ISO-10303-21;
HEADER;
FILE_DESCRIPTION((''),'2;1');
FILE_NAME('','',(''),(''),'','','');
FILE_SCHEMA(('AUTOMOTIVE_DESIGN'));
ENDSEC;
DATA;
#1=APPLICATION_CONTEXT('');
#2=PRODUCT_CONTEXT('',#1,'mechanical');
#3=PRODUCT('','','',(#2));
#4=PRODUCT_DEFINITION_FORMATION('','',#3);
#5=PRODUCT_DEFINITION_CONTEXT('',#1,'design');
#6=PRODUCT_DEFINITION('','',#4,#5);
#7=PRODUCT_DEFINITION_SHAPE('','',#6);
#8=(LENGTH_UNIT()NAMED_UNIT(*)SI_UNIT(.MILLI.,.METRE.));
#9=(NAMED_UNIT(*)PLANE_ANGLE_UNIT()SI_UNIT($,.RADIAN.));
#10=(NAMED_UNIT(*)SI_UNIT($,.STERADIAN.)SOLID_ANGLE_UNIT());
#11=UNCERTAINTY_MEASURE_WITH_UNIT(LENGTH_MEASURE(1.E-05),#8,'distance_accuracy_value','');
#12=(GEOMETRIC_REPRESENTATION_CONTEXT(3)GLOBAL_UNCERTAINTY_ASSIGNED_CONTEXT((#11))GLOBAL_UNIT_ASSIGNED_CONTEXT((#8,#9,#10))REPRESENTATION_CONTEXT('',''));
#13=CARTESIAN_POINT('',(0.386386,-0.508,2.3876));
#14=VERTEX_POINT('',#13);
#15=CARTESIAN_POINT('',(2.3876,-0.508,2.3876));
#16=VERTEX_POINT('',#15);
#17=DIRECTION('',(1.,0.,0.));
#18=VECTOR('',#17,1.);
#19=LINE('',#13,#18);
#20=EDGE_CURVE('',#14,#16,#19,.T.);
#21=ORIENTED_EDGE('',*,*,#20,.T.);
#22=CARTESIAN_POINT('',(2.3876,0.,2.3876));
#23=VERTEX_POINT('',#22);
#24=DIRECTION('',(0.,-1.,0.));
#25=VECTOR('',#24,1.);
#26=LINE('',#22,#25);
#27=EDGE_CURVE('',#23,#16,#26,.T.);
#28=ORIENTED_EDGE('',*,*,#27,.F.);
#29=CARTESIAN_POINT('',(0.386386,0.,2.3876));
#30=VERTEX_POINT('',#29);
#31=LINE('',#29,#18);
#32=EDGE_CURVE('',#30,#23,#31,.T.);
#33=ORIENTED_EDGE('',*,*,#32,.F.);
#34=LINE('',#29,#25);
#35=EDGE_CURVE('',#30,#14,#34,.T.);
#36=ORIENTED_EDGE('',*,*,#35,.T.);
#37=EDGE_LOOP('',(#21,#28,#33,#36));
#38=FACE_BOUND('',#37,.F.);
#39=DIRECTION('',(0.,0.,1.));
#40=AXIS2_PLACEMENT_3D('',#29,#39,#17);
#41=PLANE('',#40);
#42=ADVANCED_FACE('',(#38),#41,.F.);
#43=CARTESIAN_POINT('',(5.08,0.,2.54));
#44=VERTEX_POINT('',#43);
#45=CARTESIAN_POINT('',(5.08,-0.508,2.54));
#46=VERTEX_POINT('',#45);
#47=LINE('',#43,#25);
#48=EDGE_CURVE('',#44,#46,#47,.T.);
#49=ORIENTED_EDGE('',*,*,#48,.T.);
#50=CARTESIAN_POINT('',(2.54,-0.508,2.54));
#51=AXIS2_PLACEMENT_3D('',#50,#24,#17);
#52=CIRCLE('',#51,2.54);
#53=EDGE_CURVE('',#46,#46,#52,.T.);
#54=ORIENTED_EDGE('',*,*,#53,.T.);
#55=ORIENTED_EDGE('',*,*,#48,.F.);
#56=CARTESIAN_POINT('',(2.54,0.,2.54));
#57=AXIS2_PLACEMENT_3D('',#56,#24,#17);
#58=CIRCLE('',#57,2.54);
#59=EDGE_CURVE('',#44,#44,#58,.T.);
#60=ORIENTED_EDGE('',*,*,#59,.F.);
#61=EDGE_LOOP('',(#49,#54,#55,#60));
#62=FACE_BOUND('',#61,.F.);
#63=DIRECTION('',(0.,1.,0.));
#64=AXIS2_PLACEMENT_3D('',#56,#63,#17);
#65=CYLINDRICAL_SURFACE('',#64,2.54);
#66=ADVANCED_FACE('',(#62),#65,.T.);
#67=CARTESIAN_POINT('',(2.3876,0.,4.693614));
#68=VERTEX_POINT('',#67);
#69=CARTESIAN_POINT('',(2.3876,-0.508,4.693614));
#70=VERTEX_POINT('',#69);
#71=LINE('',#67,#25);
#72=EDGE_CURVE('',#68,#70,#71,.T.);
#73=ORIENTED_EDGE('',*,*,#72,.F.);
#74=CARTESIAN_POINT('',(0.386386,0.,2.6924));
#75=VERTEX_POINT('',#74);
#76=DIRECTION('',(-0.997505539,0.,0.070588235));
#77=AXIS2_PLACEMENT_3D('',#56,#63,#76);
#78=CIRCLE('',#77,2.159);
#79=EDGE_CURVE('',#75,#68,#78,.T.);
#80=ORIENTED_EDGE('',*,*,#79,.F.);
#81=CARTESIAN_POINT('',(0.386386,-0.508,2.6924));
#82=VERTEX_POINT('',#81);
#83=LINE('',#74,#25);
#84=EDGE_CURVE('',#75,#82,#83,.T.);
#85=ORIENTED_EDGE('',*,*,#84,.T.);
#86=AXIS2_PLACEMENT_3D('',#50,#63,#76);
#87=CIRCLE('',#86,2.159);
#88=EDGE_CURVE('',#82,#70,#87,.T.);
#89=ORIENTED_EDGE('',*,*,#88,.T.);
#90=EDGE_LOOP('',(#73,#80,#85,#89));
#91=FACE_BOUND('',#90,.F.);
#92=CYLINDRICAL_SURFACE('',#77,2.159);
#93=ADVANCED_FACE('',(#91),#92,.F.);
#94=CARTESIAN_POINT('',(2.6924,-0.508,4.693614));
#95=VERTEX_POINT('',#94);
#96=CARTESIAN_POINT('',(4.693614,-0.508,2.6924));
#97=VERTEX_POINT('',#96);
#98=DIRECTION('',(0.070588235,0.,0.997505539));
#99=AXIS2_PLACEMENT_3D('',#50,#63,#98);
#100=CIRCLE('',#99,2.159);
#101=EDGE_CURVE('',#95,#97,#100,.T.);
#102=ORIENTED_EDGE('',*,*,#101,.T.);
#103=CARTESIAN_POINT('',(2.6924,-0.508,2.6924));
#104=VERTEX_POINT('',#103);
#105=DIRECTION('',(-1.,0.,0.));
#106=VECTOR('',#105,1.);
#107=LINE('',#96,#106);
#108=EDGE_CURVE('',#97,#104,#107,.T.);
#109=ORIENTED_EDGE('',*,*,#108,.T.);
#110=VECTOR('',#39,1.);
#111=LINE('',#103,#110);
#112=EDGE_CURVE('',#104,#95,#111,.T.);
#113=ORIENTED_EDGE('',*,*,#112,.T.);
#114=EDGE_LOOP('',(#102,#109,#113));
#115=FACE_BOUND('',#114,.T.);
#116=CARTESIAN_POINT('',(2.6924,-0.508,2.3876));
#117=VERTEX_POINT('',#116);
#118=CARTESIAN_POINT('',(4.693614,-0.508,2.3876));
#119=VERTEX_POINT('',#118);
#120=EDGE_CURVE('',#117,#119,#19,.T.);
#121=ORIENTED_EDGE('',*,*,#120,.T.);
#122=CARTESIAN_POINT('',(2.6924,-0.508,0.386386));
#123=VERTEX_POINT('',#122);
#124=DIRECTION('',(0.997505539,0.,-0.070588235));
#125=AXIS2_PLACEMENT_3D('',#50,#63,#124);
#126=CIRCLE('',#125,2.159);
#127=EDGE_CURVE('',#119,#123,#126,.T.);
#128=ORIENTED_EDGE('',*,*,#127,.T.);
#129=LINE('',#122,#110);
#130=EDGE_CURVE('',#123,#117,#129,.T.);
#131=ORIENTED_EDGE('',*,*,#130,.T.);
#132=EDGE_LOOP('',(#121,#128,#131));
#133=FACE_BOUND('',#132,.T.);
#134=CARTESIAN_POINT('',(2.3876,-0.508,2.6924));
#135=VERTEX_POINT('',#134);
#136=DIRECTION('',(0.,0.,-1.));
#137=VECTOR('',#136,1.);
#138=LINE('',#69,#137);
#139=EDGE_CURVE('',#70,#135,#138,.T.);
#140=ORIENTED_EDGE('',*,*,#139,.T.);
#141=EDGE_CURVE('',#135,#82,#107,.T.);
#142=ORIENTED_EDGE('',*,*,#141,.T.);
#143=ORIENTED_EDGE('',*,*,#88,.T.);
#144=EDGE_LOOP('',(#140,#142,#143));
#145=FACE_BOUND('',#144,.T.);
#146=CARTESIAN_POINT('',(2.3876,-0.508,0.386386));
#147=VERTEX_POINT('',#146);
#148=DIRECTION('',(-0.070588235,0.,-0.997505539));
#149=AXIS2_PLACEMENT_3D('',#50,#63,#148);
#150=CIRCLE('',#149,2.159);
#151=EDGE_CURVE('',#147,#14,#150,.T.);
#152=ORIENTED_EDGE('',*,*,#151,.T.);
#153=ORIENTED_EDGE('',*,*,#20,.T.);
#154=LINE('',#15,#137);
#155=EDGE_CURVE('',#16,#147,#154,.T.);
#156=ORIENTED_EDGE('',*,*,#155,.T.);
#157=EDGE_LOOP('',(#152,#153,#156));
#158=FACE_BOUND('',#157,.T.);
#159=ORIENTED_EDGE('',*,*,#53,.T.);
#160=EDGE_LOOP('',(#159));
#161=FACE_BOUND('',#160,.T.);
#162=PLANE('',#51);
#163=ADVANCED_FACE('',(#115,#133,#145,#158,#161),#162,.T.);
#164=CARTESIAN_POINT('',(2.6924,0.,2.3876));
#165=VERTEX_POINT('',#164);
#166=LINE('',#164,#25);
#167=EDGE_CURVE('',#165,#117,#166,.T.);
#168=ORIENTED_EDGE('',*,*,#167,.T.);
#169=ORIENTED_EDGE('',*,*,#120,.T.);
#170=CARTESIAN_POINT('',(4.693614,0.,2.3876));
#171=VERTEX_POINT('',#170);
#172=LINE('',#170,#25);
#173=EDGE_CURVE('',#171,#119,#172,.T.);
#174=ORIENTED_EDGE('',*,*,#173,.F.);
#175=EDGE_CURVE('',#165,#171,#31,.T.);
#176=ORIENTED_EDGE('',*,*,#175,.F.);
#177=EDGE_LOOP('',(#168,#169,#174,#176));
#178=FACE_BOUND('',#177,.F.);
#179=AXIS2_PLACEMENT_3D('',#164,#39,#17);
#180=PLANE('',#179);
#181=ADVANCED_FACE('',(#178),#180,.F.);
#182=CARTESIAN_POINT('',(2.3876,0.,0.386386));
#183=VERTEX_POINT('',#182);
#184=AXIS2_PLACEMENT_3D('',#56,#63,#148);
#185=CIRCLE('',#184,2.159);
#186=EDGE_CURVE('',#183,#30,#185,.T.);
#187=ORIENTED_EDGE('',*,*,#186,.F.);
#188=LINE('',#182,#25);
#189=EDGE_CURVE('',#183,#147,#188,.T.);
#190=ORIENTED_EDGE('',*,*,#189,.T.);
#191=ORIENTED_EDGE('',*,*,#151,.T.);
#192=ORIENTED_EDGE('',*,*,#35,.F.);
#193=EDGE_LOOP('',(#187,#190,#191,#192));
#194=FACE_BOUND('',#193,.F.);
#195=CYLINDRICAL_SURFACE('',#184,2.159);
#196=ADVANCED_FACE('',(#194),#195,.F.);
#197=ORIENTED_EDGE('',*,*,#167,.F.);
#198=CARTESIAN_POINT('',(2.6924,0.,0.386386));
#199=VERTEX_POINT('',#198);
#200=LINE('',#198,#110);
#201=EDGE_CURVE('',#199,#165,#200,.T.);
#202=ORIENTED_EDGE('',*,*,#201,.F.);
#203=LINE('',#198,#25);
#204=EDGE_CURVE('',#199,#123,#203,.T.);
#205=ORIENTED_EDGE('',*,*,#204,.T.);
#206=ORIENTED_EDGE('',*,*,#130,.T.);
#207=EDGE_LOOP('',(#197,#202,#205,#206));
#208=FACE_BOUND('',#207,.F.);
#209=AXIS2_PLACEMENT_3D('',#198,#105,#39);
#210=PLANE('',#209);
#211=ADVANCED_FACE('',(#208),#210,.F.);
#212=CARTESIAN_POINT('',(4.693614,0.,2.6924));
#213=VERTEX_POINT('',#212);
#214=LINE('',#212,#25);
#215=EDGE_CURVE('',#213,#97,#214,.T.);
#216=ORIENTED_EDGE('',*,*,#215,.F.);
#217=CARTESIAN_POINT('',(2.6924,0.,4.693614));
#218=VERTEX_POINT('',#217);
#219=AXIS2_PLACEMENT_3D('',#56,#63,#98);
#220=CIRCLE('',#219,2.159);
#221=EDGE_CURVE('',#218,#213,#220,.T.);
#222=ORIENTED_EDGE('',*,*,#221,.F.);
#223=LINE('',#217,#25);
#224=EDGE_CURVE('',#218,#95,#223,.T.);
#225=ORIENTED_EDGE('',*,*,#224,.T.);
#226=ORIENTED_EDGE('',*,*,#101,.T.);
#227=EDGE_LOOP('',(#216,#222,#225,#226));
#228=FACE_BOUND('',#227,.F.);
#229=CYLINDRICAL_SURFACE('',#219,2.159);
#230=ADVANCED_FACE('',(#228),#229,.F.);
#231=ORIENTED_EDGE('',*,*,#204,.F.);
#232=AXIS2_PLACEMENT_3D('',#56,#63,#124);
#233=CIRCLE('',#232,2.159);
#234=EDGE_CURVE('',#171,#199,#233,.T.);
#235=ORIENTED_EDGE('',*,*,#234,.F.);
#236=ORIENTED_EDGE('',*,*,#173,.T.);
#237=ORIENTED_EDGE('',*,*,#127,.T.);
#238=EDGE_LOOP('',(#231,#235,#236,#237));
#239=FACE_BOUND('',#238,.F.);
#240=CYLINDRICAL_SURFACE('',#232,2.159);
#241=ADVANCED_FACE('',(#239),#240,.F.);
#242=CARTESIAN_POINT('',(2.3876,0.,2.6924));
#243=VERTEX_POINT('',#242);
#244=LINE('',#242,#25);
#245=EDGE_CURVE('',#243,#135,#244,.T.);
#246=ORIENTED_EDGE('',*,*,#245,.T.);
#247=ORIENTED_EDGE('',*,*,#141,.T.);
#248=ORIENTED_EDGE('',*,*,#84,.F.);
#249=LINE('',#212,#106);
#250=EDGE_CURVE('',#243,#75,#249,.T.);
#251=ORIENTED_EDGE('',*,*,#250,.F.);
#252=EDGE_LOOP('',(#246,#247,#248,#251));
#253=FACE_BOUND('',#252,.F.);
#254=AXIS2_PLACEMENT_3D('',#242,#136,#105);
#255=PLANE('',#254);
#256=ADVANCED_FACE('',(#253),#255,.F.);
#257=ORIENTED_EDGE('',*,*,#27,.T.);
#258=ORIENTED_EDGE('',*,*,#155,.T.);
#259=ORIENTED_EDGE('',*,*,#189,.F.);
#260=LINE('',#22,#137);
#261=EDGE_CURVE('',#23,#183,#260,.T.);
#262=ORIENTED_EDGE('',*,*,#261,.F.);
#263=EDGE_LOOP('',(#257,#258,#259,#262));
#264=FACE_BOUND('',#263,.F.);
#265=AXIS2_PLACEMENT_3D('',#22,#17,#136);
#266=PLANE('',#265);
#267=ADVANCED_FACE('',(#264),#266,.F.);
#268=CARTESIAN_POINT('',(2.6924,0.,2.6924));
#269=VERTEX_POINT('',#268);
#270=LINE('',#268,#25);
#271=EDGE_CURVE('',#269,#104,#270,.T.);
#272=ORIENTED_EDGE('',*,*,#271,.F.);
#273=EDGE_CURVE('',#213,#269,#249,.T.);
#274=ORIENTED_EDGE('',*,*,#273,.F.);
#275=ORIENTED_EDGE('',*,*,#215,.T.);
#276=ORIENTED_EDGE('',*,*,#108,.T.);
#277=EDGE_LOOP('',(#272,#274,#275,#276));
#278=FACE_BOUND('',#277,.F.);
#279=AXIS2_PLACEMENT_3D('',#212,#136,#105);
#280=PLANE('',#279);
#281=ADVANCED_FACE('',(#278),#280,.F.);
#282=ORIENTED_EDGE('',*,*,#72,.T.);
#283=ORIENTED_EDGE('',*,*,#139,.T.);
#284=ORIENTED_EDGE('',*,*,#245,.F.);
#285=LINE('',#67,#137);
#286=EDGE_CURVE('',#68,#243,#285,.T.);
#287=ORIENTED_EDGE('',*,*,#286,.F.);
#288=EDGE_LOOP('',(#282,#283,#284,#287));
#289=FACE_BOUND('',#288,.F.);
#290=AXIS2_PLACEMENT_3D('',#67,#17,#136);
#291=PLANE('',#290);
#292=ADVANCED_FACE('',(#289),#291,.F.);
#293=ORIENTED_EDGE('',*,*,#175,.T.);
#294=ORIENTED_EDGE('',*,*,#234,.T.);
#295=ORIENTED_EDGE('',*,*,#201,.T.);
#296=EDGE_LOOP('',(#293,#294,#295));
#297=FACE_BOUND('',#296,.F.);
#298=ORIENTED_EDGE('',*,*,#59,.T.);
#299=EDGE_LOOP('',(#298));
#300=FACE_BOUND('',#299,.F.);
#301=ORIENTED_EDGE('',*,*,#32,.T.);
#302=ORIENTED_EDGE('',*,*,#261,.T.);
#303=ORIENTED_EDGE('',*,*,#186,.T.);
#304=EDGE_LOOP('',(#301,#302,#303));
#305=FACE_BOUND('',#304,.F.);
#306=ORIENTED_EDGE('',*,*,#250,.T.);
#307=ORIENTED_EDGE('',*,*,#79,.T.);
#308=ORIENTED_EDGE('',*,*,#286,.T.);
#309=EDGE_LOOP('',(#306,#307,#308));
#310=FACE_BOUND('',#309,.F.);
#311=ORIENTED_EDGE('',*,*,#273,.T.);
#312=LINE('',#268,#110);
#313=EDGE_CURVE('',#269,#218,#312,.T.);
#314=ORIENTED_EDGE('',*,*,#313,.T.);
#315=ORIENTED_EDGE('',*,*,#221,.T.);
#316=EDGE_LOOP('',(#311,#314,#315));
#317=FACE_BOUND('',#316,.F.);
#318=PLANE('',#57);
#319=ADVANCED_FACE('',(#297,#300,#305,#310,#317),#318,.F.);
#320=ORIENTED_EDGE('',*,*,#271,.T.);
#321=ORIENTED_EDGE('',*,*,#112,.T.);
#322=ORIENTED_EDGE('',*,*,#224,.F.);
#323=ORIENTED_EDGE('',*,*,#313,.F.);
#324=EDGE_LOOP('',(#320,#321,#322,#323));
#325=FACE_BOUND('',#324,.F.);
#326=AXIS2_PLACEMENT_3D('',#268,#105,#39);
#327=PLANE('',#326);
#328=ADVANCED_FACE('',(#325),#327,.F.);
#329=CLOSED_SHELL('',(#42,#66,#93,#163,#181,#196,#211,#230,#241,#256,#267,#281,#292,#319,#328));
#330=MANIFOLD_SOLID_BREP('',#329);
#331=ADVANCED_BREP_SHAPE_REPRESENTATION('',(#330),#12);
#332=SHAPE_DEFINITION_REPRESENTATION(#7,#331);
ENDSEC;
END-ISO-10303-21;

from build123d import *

# Parameters (mm, degrees)
F0_R     = 2.54
F0_W     = 0.1524
F0_H     = 0.0762
F0_W_2   = 0.1486954158
F0_W_3   = 0.3048
F1_DEPTH = 0.508


with BuildPart() as f1:
    # F0 (on Front) → F1 (new body)
    with BuildSketch(Plane.XZ):
        with Locations((2.54, 2.54)):
            Circle(F0_R)
        with BuildLine():
            ThreePointArc((4.6936144595, 2.6924), (4.6976531948, 2.616247564), (4.699, 2.54))
            ThreePointArc((4.699, 2.54), (4.6976531948, 2.463752436), (4.6936144595, 2.3876))
            ThreePointArc((4.6936144595, 2.3876), (4.0666435406, 1.0133564594), (2.6924, 0.3863855405))
            ThreePointArc((2.6924, 0.3863855405), (2.54, 0.381), (2.3876, 0.3863855405))
            ThreePointArc((2.3876, 0.3863855405), (1.0133564594, 1.0133564594), (0.3863855405, 2.3876))
            ThreePointArc((0.3863855405, 2.3876), (0.381, 2.54), (0.3863855405, 2.6924))
            ThreePointArc((0.3863855405, 2.6924), (1.0133564594, 4.0666435406), (2.3876, 4.6936144595))
            ThreePointArc((2.3876, 4.6936144595), (2.54, 4.699), (2.6924, 4.6936144595))
            ThreePointArc((2.6924, 4.6936144595), (4.0666435406, 4.0666435406), (4.6936144595, 2.6924))
        make_face(mode=Mode.SUBTRACT)
        Polygon((2.3876, 2.4638), (2.3876, 2.54), (2.3876, 2.6162), (2.3876, 2.6924), (2.3114, 2.6924), (2.3114, 2.3876), (2.3876, 2.3876), align=None)
        with BuildLine():
            Line((2.3114, 2.3876), (2.3114, 2.6924))
            Line((2.3114, 2.6924), (0.3863855405, 2.6924))
            ThreePointArc((0.3863855405, 2.6924), (0.381, 2.54), (0.3863855405, 2.3876))
            Line((0.3863855405, 2.3876), (2.3114, 2.3876))
        make_face()
        with BuildLine():
            Line((4.699, 2.54), (2.7686, 2.54))
            Line((2.7686, 2.54), (2.7686, 2.3876))
            Line((2.7686, 2.3876), (4.6936144595, 2.3876))
            ThreePointArc((4.6936144595, 2.3876), (4.6976531948, 2.463752436), (4.699, 2.54))
        make_face()
        Polygon((2.7686, 2.54), (2.6924, 2.54), (2.6924, 2.4638), (2.6924, 2.3876), (2.7686, 2.3876), align=None)
        Polygon((2.6924, 2.6162), (2.6924, 2.54), (2.7686, 2.54), (2.7686, 2.6924), (2.6924, 2.6924), align=None)
        with BuildLine():
            Line((2.7686, 2.6924), (2.7686, 2.54))
            Line((2.7686, 2.54), (4.699, 2.54))
            ThreePointArc((4.699, 2.54), (4.6976531948, 2.616247564), (4.6936144595, 2.6924))
            Line((4.6936144595, 2.6924), (2.7686, 2.6924))
        make_face()
        Polygon((2.3876, 2.6162), (2.54, 2.6162), (2.5437045842, 2.6162), (2.5437045842, 2.6924), (2.3876, 2.6924), align=None)
        with Locations((2.4638, 2.5781)):
            Rectangle(F0_W, F0_H)
        Polygon((2.6924, 2.54), (2.54, 2.54), (2.3876, 2.54), (2.3876, 2.4638), (2.6924, 2.4638), align=None)
        with Locations((2.6180522921, 2.6543)):
            Rectangle(F0_W_2, F0_H)
        with Locations((2.54, 2.4257)):
            Rectangle(F0_W_3, F0_H)
        Polygon((2.54, 2.6162), (2.54, 2.54), (2.6924, 2.54), (2.6924, 2.6162), (2.5437045842, 2.6162), align=None)
        with BuildLine():
            Line((2.5437045842, 2.6924), (2.6924, 2.6924))
            Line((2.6924, 2.6924), (2.6924, 4.6936144595))
            ThreePointArc((2.6924, 4.6936144595), (2.54, 4.699), (2.3876, 4.6936144595))
            Line((2.3876, 4.6936144595), (2.3876, 2.6924))
            Line((2.3876, 2.6924), (2.5437045842, 2.6924))
        make_face()
        with BuildLine():
            Line((2.6924, 0.3863855405), (2.6924, 2.3876))
            Line((2.6924, 2.3876), (2.3876, 2.3876))
            Line((2.3876, 2.3876), (2.3876, 0.3863855405))
            ThreePointArc((2.3876, 0.3863855405), (2.54, 0.381), (2.6924, 0.3863855405))
        make_face()
    extrude(amount=F1_DEPTH)


solid = f1.part
